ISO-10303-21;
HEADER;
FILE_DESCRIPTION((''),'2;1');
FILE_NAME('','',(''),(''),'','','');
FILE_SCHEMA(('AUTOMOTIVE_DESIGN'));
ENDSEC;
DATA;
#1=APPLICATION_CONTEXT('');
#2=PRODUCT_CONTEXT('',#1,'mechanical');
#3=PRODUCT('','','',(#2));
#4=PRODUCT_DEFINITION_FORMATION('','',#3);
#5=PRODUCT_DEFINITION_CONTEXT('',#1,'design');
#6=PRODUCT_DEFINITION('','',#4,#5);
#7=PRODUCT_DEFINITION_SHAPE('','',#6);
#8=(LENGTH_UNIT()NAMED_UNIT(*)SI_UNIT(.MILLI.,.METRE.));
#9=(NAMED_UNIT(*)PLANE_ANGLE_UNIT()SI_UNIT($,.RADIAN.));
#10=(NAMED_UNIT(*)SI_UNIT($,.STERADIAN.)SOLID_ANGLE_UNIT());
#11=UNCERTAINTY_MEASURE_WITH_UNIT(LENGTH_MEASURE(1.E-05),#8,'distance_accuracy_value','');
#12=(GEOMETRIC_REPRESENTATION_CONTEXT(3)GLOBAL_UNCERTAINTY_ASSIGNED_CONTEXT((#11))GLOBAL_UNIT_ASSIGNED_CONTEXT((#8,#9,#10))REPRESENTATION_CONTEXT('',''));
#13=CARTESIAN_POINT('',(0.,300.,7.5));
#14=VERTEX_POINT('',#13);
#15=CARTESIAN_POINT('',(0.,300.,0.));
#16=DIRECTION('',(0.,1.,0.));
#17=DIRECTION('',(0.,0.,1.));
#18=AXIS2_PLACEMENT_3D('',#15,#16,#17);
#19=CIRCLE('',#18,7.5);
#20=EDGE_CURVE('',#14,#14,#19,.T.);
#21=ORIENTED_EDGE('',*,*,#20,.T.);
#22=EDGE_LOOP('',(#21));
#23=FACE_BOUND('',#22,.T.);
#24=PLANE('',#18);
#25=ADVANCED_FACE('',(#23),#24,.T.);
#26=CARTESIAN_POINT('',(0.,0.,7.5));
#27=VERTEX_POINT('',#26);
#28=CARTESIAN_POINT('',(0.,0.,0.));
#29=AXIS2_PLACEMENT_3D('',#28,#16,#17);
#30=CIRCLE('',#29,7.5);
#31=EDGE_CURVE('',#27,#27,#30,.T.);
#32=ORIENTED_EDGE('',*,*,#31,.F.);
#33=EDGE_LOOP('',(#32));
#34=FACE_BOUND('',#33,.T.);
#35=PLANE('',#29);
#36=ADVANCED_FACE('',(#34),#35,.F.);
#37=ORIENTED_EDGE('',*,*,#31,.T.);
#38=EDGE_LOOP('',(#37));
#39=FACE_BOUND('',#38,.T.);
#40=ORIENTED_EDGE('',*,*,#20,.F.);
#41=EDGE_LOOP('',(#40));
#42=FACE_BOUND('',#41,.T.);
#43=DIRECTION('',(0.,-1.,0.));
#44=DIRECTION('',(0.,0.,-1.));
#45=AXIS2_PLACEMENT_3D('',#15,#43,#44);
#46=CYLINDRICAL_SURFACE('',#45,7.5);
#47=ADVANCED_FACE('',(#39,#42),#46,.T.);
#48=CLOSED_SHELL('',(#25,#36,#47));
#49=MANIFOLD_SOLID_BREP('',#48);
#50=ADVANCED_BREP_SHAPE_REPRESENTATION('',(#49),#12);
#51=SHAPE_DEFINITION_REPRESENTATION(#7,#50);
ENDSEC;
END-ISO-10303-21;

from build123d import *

# Parameters (mm, degrees)
SKETCH_1_R      = 7.5
EXTRUDE_1_DEPTH = 300


with BuildPart() as part:
    # 草图1 → 凸台-拉伸1 (new body)
    with BuildSketch(Plane(origin=(0, 0, 0), x_dir=(1, 0, 0), z_dir=(0, 1, 0))):
        Circle(SKETCH_1_R)
    extrude(amount=EXTRUDE_1_DEPTH)


solid = part.part
